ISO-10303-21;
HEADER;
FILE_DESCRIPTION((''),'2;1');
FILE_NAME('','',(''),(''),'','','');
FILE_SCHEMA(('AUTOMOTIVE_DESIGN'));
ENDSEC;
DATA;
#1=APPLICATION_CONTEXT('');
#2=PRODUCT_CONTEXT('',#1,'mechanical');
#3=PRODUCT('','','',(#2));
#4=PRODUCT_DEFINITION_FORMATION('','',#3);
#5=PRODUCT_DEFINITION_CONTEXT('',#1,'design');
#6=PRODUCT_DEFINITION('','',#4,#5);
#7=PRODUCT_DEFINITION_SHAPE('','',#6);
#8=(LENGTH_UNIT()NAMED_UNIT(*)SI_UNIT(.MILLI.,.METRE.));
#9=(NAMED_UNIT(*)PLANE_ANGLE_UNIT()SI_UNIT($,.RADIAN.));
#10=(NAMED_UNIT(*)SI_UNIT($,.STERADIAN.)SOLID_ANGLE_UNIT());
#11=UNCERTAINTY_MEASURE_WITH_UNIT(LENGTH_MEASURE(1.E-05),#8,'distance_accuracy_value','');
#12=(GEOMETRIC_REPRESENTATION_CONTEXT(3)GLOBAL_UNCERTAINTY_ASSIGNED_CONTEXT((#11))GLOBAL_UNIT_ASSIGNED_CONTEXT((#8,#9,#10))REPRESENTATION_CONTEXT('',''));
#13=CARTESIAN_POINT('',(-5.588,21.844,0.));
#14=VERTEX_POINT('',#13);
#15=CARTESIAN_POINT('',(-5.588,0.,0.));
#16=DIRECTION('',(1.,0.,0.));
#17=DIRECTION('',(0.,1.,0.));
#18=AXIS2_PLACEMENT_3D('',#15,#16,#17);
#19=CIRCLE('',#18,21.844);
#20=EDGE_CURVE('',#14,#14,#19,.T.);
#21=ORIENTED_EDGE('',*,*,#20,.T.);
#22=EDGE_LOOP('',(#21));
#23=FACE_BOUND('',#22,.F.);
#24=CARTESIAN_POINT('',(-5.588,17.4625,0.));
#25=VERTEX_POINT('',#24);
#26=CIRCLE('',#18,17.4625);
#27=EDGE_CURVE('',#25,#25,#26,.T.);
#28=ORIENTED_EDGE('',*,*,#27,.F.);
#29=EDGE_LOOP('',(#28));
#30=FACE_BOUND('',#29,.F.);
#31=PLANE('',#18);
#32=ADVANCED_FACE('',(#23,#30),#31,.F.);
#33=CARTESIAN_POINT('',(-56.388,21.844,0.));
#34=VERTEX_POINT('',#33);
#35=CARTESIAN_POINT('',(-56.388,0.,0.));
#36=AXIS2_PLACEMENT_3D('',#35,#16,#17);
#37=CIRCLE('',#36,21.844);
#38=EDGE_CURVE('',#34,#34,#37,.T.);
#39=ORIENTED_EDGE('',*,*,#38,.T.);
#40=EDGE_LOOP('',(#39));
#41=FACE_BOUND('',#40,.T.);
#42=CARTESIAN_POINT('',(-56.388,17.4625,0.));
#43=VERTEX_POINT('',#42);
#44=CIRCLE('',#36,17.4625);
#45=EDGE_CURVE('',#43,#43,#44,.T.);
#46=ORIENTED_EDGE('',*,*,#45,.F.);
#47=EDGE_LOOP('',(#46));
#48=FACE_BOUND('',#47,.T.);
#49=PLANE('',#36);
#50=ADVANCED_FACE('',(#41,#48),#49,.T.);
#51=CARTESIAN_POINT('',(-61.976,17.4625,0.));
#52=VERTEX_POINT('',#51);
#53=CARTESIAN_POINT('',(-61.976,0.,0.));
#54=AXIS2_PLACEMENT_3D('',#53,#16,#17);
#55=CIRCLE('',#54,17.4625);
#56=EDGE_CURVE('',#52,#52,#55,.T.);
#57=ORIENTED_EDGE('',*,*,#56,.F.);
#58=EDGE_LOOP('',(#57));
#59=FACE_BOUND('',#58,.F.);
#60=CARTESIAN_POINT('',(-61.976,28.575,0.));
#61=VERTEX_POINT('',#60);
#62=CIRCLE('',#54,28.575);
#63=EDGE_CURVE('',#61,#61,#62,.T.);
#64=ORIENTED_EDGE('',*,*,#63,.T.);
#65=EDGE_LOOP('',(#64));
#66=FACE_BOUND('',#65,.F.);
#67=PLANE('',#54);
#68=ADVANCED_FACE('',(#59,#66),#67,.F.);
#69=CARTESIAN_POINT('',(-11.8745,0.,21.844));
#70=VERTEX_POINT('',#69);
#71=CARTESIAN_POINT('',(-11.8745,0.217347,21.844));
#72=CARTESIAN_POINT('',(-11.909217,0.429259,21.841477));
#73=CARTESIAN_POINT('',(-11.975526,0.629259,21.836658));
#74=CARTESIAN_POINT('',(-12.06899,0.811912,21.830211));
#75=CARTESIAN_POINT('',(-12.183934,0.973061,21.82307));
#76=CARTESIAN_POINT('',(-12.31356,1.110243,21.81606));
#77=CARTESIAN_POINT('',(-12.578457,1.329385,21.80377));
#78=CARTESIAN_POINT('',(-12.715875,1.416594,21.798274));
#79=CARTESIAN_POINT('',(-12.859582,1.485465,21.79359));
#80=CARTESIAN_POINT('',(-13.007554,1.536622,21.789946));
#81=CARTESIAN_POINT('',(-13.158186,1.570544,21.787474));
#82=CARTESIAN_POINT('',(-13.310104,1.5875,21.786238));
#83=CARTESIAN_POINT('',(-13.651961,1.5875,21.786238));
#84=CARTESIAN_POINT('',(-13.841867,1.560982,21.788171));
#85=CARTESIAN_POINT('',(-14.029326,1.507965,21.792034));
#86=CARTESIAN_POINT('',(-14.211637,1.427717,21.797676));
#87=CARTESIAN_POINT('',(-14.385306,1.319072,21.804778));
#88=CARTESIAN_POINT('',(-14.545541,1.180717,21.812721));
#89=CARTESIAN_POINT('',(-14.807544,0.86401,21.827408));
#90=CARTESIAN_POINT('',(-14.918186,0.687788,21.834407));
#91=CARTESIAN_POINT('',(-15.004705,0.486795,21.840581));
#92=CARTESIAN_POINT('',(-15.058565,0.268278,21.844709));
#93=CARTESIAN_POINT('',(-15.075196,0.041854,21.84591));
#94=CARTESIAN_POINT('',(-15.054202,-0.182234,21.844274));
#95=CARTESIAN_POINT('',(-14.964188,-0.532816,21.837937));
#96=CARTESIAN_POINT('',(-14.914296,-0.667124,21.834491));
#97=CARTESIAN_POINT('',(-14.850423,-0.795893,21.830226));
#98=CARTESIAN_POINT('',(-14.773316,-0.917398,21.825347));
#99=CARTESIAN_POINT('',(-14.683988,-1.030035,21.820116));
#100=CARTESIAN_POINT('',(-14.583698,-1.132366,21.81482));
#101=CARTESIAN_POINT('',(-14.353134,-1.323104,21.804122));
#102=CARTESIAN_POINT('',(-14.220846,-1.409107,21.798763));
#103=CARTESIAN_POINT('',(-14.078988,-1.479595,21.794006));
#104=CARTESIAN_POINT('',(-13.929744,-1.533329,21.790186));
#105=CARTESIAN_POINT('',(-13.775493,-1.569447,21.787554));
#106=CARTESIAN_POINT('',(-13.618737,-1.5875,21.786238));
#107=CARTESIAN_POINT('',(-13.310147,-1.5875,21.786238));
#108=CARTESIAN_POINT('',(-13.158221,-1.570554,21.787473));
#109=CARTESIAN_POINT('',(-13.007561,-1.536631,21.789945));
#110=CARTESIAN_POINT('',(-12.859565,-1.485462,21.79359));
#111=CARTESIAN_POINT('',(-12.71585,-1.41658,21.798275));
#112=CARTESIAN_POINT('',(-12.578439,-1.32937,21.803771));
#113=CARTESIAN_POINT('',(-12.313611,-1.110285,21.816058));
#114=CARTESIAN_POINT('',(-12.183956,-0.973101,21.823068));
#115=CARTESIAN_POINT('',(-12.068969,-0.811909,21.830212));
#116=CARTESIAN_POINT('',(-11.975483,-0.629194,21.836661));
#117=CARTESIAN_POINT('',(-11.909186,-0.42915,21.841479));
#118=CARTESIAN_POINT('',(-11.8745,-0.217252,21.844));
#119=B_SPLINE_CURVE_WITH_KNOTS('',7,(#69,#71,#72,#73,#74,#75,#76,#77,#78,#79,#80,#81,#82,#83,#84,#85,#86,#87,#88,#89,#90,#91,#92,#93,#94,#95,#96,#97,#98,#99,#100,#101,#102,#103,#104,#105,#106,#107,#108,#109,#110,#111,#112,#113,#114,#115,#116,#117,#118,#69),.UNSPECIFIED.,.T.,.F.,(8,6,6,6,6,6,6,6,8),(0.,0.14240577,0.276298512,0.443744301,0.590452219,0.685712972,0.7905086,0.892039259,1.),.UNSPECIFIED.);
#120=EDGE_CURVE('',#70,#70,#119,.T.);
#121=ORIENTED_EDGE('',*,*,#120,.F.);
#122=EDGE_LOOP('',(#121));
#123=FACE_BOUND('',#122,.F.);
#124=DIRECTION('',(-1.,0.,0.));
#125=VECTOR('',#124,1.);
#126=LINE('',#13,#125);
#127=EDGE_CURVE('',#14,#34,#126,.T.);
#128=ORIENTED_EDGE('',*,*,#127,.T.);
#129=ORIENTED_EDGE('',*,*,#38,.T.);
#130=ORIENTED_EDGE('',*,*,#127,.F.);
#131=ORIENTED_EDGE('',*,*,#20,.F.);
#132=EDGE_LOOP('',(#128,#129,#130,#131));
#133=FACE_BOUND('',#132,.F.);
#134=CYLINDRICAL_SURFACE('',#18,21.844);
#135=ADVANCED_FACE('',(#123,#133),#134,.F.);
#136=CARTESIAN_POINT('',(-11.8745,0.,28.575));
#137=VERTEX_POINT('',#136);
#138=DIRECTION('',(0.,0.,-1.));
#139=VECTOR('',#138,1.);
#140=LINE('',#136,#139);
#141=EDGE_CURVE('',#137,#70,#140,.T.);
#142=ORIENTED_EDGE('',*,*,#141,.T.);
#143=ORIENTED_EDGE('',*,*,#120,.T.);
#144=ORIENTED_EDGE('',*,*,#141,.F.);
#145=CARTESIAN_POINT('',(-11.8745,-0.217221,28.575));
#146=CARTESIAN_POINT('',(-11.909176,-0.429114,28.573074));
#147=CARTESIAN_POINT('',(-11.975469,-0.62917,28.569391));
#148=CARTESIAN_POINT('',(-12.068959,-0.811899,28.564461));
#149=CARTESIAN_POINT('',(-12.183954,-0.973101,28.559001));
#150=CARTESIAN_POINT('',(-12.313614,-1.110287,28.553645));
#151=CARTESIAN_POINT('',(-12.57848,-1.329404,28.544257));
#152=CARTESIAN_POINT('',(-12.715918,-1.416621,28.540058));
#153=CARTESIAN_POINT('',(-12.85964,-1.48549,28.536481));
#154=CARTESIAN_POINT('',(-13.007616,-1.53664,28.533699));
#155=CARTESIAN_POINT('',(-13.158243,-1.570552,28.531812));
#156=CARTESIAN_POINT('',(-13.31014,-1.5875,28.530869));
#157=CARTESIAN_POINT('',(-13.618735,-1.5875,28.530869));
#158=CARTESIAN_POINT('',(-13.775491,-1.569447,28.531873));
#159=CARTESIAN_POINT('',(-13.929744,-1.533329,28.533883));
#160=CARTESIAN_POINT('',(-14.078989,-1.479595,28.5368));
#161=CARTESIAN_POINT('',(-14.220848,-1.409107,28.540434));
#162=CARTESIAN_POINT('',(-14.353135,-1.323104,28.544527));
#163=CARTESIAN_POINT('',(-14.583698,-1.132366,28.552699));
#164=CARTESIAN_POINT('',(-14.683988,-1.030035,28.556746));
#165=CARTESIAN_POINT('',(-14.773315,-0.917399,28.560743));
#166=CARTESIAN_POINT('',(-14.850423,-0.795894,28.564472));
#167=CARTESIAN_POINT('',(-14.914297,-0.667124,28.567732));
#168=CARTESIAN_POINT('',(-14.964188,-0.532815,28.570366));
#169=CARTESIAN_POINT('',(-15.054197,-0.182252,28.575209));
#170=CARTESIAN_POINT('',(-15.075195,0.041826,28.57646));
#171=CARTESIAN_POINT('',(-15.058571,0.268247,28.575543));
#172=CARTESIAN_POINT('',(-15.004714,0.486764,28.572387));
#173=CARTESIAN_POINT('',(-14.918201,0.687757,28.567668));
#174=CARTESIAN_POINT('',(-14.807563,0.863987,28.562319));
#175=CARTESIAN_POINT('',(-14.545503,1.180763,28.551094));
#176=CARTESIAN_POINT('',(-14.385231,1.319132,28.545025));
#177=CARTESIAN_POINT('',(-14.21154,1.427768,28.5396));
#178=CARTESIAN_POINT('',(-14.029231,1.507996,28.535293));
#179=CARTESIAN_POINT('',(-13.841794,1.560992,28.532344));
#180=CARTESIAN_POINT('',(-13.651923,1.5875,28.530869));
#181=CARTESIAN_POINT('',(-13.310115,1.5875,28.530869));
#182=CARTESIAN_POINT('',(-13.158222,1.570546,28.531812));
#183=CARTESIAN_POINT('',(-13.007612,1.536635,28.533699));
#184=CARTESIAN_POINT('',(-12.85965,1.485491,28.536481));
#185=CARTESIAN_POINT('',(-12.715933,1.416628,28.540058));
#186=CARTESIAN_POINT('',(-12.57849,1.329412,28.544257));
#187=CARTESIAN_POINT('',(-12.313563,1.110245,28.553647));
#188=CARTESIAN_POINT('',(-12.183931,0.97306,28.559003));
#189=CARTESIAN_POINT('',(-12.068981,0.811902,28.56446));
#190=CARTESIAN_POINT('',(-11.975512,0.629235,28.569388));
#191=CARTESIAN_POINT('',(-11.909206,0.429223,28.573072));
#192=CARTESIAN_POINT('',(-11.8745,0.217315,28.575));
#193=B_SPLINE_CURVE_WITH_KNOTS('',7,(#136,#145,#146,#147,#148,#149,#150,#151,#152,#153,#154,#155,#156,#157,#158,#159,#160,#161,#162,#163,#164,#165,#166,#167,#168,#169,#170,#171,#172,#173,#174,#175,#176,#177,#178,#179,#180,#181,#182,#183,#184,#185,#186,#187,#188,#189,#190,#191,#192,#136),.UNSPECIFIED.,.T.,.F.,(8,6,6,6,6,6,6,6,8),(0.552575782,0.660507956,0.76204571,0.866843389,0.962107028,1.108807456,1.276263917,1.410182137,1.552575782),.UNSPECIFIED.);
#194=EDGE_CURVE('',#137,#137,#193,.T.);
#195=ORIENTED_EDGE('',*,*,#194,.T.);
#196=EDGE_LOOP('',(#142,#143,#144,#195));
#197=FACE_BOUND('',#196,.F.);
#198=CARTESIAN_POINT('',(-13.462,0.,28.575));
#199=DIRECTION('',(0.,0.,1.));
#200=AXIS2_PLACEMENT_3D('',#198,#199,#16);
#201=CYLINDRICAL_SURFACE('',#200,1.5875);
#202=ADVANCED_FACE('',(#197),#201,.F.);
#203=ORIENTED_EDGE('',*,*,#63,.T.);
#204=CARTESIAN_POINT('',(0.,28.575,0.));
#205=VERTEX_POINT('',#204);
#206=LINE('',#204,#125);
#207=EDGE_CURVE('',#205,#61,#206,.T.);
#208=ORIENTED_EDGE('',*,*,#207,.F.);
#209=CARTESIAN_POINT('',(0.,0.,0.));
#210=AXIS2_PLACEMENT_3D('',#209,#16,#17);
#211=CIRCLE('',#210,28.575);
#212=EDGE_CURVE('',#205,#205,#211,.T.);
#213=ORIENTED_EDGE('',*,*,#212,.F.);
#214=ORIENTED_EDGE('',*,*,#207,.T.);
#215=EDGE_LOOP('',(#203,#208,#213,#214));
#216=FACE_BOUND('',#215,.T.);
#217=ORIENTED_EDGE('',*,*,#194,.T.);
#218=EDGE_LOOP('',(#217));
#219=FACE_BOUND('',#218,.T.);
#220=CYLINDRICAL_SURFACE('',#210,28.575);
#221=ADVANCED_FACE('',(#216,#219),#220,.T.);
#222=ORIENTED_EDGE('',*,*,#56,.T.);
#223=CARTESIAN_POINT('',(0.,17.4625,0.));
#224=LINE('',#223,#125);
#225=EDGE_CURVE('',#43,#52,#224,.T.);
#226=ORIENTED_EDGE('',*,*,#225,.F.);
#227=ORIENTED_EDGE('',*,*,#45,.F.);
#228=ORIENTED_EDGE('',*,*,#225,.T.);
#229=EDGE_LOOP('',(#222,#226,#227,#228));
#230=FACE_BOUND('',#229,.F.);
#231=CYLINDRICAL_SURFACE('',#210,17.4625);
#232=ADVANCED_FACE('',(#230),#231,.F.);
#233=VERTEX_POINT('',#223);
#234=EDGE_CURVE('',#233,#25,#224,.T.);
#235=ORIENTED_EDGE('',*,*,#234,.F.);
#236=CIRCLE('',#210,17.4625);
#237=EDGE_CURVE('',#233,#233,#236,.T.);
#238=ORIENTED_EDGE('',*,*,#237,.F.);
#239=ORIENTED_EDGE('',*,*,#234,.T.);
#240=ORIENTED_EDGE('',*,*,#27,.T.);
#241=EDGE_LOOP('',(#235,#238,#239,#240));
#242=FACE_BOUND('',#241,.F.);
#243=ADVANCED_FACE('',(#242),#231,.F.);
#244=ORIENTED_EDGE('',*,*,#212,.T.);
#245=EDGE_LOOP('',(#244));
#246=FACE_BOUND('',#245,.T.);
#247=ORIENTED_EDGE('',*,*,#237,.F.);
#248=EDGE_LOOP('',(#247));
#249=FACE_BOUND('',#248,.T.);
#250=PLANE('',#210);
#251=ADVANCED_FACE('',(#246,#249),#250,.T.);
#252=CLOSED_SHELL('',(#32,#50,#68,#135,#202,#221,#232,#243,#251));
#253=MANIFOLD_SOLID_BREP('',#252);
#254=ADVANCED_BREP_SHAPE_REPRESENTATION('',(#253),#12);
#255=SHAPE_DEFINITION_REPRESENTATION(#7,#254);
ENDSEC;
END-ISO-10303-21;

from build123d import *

# Parameters (mm, degrees)
F0_R     = 28.575
F0_R_2   = 17.4625
F1_DEPTH = 61.976
F3_R     = 21.844
F4_DEPTH = 50.8
F7_R     = 1.5875
F8_DEPTH = 12.7


with BuildPart() as f1:
    # F0 (on Right) → F1 (new body)
    with BuildSketch(Plane.YZ):
        Circle(F0_R)
        Circle(F0_R_2, mode=Mode.SUBTRACT)
    extrude(amount=-F1_DEPTH)

    # F3 (on offset) → F4 (cut)
    with BuildSketch(Plane.YZ.offset(-5.588)):
        Circle(F3_R)
    extrude(amount=-F4_DEPTH, mode=Mode.SUBTRACT)

    # F7 (on face) → F8 (cut)
    with BuildSketch(Plane.XY.offset(28.575)):
        with Locations((-13.462, 0)):
            Circle(F7_R)
    extrude(amount=-F8_DEPTH, mode=Mode.SUBTRACT)


solid = f1.part
